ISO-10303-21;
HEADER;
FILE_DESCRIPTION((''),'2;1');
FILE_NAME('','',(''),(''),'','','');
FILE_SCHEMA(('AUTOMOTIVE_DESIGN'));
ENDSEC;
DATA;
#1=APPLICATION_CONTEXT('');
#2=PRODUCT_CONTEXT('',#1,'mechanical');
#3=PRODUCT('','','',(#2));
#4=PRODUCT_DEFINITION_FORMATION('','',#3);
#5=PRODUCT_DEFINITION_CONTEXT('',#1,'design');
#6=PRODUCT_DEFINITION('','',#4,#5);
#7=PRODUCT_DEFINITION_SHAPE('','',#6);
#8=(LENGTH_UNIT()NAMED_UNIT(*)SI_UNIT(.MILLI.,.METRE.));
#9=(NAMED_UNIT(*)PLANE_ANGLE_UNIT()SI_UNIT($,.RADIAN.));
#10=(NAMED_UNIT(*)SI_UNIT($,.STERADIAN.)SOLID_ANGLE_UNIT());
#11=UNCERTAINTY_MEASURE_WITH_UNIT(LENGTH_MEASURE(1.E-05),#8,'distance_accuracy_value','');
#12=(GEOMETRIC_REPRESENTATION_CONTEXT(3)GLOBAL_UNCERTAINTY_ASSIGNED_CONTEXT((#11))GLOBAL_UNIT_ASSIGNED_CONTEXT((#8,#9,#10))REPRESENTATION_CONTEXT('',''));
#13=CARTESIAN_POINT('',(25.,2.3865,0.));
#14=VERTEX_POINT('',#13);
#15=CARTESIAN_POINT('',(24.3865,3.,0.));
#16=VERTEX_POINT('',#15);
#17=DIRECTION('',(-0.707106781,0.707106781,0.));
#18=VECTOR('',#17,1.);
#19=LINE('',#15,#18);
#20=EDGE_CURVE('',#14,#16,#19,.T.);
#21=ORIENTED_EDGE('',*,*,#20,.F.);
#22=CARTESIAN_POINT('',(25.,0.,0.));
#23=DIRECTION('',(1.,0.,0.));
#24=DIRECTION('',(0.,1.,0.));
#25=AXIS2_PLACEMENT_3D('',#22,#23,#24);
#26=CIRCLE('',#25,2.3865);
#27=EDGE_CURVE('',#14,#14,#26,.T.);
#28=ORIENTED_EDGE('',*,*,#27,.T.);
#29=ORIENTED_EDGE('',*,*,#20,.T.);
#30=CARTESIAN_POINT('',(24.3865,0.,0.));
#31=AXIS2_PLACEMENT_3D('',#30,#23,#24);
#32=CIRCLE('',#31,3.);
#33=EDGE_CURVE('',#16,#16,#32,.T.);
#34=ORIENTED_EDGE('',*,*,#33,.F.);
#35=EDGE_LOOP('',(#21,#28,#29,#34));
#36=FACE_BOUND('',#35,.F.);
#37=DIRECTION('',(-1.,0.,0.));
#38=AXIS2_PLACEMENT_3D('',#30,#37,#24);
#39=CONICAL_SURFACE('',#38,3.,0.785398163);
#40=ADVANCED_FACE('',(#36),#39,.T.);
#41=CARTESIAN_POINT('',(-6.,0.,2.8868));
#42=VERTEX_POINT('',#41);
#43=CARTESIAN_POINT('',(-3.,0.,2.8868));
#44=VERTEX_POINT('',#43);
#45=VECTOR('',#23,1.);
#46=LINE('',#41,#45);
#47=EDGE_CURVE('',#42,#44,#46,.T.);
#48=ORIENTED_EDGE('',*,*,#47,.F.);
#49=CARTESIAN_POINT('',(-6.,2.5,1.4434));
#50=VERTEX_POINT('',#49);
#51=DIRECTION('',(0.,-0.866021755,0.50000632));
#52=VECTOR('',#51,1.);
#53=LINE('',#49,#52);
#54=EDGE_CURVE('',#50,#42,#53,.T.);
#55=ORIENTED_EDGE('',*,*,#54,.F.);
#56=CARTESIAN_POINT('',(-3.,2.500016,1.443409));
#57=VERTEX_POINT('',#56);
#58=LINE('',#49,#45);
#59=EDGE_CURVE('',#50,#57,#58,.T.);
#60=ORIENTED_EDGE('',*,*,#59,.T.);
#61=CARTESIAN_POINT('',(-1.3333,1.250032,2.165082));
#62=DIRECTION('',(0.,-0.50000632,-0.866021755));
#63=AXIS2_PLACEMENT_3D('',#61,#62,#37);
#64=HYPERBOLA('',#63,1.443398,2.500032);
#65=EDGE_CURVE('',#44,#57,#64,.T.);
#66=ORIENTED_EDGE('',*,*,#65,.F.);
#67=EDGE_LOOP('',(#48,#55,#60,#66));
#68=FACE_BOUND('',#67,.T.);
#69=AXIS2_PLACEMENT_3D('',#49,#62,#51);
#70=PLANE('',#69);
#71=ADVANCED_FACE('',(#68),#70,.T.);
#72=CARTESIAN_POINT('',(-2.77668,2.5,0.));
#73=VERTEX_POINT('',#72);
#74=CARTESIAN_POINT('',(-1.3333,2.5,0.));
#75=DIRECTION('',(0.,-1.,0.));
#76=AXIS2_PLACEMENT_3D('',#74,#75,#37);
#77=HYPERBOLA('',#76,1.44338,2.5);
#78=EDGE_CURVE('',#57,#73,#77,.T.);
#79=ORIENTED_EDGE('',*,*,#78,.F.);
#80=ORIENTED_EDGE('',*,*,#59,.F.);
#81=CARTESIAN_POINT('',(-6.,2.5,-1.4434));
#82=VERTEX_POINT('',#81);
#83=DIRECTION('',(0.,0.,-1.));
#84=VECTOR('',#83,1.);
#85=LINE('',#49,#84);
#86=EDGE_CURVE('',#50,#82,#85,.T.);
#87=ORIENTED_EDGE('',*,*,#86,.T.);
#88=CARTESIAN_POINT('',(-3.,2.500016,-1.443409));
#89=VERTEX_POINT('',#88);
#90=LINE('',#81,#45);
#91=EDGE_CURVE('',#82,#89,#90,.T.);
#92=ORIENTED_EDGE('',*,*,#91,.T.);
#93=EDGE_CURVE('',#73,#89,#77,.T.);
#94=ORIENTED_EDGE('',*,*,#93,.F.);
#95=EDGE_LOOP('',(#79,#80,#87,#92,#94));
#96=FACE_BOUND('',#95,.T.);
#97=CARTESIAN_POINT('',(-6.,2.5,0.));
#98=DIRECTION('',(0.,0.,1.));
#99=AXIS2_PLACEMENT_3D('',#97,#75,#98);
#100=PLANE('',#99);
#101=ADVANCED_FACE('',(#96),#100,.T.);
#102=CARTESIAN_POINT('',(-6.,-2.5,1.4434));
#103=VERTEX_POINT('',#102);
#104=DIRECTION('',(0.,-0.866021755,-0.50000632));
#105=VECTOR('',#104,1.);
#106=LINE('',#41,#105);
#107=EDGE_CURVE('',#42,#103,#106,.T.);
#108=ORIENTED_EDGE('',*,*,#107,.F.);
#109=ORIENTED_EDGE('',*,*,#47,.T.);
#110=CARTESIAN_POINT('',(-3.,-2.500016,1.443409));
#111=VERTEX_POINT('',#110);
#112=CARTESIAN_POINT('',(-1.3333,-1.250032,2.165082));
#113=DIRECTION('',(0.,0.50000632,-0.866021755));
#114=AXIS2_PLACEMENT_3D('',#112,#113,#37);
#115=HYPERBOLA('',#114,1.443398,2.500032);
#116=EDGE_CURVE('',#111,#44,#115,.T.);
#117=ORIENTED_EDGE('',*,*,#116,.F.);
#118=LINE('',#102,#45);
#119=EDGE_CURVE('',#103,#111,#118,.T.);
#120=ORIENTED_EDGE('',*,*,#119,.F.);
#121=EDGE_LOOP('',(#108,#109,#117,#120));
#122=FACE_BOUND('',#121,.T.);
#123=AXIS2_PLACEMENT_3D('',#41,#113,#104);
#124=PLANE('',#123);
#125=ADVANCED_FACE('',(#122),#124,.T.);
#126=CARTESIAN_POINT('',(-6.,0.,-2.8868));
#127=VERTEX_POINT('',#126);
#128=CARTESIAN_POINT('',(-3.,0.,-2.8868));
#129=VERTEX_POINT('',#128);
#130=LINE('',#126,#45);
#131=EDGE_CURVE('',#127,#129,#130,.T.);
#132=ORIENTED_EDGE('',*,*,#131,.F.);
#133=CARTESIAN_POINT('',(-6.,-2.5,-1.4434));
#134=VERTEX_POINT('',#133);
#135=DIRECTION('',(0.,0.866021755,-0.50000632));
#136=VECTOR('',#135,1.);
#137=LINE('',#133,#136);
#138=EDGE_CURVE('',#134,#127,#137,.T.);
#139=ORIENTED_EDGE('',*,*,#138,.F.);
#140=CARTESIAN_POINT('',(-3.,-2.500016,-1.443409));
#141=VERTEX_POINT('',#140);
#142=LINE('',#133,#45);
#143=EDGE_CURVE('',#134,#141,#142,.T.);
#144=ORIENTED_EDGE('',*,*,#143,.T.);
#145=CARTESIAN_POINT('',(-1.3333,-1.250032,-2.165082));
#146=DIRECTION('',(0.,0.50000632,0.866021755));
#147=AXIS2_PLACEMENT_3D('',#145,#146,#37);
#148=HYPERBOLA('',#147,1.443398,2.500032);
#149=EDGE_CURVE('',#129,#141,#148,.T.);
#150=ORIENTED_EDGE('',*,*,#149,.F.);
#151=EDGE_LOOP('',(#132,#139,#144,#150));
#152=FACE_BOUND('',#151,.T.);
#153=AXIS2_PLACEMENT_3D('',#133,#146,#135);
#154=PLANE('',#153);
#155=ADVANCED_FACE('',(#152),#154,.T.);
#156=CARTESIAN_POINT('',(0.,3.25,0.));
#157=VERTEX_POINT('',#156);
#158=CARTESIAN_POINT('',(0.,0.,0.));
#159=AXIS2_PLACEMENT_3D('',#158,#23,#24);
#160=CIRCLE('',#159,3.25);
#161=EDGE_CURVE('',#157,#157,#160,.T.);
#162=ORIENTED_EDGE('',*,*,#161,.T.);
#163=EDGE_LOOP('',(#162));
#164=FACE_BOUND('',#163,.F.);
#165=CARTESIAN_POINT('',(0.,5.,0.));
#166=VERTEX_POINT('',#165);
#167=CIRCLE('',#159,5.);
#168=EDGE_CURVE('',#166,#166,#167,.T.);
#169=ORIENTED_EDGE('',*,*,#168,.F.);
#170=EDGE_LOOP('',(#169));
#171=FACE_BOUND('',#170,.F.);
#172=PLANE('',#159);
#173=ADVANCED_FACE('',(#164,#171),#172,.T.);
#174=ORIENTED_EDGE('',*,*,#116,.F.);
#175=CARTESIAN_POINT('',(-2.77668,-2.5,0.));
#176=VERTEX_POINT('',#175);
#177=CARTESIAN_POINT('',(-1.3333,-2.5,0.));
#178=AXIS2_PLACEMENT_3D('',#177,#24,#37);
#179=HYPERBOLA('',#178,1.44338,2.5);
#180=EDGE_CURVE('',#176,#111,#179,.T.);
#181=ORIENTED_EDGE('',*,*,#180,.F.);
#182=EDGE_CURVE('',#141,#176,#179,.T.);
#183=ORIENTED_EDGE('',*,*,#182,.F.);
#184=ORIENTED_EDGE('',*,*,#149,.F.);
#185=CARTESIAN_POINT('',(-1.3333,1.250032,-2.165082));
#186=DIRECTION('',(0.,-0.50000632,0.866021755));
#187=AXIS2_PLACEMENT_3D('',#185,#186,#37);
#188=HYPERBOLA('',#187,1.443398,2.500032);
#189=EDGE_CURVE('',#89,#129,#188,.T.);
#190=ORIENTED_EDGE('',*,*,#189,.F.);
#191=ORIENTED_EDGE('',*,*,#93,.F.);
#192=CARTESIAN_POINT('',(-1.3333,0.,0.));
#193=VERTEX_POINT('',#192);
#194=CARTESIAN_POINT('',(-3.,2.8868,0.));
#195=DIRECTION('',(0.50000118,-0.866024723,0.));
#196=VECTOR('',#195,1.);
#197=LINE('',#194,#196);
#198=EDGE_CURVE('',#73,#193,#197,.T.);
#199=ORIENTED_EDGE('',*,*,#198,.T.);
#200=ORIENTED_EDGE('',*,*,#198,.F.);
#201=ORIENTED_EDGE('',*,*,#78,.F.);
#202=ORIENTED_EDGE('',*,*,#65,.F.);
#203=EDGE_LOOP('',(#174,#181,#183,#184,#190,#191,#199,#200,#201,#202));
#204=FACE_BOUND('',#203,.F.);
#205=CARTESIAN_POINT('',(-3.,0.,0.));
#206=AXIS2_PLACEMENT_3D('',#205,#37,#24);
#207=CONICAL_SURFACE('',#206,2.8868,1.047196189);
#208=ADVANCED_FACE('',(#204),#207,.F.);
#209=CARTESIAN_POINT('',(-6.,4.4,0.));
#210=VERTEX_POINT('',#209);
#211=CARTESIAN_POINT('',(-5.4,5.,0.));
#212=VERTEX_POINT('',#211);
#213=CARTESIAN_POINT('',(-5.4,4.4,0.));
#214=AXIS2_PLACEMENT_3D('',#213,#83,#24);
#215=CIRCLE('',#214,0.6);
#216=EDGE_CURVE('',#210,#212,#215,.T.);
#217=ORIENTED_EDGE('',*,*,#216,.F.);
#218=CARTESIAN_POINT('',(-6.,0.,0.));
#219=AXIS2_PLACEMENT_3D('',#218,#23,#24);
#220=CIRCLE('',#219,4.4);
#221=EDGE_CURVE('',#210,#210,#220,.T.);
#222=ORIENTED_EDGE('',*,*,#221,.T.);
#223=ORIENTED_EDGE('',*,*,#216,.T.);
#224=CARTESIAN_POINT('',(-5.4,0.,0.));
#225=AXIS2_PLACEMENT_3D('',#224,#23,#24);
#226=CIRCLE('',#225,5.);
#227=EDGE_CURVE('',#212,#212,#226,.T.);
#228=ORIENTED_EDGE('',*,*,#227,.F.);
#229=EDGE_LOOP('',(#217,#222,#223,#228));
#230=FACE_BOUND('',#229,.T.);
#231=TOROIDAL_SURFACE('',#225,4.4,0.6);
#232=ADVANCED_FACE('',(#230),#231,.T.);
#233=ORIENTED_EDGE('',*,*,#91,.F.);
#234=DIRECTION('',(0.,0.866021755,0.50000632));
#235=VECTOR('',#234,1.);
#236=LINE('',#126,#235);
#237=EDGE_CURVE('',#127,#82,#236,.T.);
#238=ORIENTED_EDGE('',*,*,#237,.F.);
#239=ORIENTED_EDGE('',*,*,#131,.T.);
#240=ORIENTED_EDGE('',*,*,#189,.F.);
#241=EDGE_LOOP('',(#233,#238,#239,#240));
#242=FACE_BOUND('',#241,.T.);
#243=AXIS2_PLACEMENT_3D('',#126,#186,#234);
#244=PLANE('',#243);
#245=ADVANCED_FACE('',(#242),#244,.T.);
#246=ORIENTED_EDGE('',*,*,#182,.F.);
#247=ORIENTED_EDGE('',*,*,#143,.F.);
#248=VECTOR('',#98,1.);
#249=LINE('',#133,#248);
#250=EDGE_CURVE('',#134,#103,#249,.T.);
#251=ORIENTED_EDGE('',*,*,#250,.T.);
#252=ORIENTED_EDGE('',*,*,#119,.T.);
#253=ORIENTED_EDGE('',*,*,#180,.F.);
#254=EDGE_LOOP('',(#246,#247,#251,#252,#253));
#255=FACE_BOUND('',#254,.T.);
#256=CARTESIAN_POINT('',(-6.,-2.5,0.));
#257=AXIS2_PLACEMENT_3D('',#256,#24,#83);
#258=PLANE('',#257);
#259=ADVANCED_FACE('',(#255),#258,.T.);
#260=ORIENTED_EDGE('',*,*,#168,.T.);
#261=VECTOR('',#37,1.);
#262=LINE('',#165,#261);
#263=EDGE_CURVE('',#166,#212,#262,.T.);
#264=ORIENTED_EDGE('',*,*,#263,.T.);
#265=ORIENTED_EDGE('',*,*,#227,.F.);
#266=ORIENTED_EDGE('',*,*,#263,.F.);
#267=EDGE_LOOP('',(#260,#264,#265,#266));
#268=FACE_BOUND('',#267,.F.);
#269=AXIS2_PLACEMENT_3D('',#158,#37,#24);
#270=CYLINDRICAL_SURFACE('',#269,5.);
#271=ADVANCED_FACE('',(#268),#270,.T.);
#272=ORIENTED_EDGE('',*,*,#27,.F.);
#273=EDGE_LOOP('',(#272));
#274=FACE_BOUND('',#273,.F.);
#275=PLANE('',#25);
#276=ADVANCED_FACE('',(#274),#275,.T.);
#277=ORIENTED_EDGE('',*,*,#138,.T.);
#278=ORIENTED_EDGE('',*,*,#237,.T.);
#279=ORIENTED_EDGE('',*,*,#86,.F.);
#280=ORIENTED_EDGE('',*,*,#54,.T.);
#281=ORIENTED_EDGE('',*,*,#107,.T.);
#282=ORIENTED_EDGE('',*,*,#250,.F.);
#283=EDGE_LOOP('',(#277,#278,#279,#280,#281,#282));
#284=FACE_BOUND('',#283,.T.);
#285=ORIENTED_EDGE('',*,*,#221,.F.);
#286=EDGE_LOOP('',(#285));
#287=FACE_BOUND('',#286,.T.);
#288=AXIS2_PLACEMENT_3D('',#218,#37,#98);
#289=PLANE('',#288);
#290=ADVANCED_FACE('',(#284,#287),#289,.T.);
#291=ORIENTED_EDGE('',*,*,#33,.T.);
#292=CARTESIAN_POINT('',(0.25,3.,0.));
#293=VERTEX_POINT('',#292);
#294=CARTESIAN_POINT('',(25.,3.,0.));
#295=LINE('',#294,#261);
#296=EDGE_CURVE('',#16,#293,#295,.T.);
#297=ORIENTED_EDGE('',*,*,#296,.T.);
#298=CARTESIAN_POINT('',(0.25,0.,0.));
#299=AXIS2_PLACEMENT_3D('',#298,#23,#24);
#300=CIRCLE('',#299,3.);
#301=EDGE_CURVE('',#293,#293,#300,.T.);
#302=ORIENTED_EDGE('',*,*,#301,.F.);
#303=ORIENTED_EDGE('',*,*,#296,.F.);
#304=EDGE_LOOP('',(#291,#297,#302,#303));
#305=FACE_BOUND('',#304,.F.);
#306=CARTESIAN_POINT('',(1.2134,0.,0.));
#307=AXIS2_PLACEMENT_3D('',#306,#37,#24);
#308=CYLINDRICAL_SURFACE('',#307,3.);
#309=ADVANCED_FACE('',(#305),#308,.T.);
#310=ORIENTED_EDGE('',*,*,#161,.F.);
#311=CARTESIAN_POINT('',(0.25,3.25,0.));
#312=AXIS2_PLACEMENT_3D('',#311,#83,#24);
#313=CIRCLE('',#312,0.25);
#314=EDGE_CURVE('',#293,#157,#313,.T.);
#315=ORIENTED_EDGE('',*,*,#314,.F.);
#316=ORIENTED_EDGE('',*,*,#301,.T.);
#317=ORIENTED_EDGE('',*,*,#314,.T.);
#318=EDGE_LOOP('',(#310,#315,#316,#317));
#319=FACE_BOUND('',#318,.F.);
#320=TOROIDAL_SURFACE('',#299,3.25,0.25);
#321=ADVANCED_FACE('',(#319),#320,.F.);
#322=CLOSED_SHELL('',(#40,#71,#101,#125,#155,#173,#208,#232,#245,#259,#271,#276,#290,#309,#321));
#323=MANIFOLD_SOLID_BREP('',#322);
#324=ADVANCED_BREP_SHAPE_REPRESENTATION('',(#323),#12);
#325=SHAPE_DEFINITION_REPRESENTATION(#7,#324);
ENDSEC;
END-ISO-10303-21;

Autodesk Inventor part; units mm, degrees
ref_plane "YZ Plane" through (0, 0, 0) normal (1, 0, 0) x (0, 1, 0)
ref_plane "XZ Plane" through (0, 0, 0) normal (0, 1, 0) x (-1, 0, 0)
sketch "Sketch1" plane through (0, 0, 0) normal (0, 0, 1) x (1, 0, 0)
  line L0 (-1.3333, 0) -> (25, 0)
  line L1 (25, 0) -> (25, 3)
  line L2 (25, 3) -> (1.8269, 3)
  line L3 (1.8269, 3) -> (1.2134, 3)
  line L4 (1.2134, 3) -> (0, 3)
  line L5 (0, 3) -> (0, 5)
  line L6 (0, 5) -> (-6, 5)
  line L7 (-6, 5) -> (-6, 2.8868)
  line L8 (-6, 2.8868) -> (-3, 2.8868)
  line L9 (-3, 2.8868) -> (-1.3333, 0)
  line L10 (-12.2, 0) -> (31.2, 0) projected
  line L11 (0, -1) -> (0, 6) projected
  line L12 (1.8269, 3) -> (0, 3) construction
  dimension "d0" = 23.1731
  dimension "d1" = 0.6135
  dimension "d2" = 6
  dimension "d3" = 3
  dimension "d4" = 60
  dimension "d5" = 6
  dimension "d6" = 6
  dimension "d7" = 5.7735
  dimension "d8" = 10
  dimension "d19" = 25
revolve "Body" add sketch "Sketch1" angle 360 about axis through (-1.3333, 0, 0) along (1, 0, 0)
sketch "Sketch2" plane through (-6, 0, 0) normal (-1, 0, 0) x (0, 0, 1)
  circle A0 centre (0, 0) radius 2.8868 projected
  line L0 (0, -7) -> (0, 7) projected
  line L1 (-7, 0) -> (7, 0) projected
  line L2 (2.8868, 0) -> (1.4434, -2.5)
  line L3 (1.4434, -2.5) -> (-1.4434, -2.5)
  line L4 (-1.4434, -2.5) -> (-2.8868, 0)
  line L5 (-2.8868, 0) -> (-1.4434, 2.5)
  line L6 (-1.4434, 2.5) -> (1.4434, 2.5)
  line L7 (1.4434, 2.5) -> (2.8868, 0)
extrude "Slot" add sketch "Sketch2" against normal up to next contours L7 A0 | A0 L2 | L6 L0 A0 | A0 L0 L3 | L0 L6 A0 | A0 L3 L0 | L4 A0 | A0 L5
fillet "Fillet2" radius 0.6 1 edges at (-6, -5, 0)
thread "Thread" size "M6x1" class "6g" standard "ISO Metric profile" length 23.1731
chamfer "Chamfer1" distance 0.6135 distance2 0.6135 1 edges at (25, -3, 0) measured on face at (25, -0.5681, -0.823)
fillet "Fillet1" radius 0.25 1 edges at (0, -3, 0)
ref_plane "Work Plane1" through (30, 0, 0) normal (0, -0.5, 0.866) x (1, 0, 0)
equation "\"d0\" = GEL"
equation "\"d1\" = GAL"
equation "\"d2\" = KOH"
equation "\"d3\" = INTI"
equation "\"d5\" = GD"
equation "\"d6\" = BDM"
equation "\"d7\" = 1.1547 * SW"
equation "\"d8\" = KOD"
equation "\"d19\" = NLG"
equation "\"d16\" = RR"
equation "\"d12\" = GEL"
equation "\"d14\" = -0.5 * SPD + 0.5 * GD"
equation "\"d15\" = GUL"
equation "\"d29\" = R"
equation "\"GD\" = NND"
equation "\"NLG\" = 25"
equation "\"GEL\" = 23.1731"
equation "\"KOD\" = 10"
equation "\"KOH\" = 6"
equation "\"INTI\" = 3"
equation "\"GAL\" = 0.61345 * PTC"
equation "\"GUL\" = 0.61345 * PTC"
equation "\"BDM\" = NND"
equation "\"SW\" = 5"
equation "\"RR\" = 0.6"
equation "\"SPD\" = 4.7731"
equation "\"d28\" = R"
equation "\"R\" = 0.25"
equation "\"TOA\" = 30deg"
equation "\"THREADDIA\" = 6"
equation "\"PTC\" = 1"
equation "\"NND\" = 6"
equation "\"E0\" = 1.155 * SW"
equation "\"GD1\" = THREADDIA - 1.2269 * PTC"
properties part number "ANSI B18.3.1M - M6x1 x 25, BSHCSM" material "Steel, Mild"
